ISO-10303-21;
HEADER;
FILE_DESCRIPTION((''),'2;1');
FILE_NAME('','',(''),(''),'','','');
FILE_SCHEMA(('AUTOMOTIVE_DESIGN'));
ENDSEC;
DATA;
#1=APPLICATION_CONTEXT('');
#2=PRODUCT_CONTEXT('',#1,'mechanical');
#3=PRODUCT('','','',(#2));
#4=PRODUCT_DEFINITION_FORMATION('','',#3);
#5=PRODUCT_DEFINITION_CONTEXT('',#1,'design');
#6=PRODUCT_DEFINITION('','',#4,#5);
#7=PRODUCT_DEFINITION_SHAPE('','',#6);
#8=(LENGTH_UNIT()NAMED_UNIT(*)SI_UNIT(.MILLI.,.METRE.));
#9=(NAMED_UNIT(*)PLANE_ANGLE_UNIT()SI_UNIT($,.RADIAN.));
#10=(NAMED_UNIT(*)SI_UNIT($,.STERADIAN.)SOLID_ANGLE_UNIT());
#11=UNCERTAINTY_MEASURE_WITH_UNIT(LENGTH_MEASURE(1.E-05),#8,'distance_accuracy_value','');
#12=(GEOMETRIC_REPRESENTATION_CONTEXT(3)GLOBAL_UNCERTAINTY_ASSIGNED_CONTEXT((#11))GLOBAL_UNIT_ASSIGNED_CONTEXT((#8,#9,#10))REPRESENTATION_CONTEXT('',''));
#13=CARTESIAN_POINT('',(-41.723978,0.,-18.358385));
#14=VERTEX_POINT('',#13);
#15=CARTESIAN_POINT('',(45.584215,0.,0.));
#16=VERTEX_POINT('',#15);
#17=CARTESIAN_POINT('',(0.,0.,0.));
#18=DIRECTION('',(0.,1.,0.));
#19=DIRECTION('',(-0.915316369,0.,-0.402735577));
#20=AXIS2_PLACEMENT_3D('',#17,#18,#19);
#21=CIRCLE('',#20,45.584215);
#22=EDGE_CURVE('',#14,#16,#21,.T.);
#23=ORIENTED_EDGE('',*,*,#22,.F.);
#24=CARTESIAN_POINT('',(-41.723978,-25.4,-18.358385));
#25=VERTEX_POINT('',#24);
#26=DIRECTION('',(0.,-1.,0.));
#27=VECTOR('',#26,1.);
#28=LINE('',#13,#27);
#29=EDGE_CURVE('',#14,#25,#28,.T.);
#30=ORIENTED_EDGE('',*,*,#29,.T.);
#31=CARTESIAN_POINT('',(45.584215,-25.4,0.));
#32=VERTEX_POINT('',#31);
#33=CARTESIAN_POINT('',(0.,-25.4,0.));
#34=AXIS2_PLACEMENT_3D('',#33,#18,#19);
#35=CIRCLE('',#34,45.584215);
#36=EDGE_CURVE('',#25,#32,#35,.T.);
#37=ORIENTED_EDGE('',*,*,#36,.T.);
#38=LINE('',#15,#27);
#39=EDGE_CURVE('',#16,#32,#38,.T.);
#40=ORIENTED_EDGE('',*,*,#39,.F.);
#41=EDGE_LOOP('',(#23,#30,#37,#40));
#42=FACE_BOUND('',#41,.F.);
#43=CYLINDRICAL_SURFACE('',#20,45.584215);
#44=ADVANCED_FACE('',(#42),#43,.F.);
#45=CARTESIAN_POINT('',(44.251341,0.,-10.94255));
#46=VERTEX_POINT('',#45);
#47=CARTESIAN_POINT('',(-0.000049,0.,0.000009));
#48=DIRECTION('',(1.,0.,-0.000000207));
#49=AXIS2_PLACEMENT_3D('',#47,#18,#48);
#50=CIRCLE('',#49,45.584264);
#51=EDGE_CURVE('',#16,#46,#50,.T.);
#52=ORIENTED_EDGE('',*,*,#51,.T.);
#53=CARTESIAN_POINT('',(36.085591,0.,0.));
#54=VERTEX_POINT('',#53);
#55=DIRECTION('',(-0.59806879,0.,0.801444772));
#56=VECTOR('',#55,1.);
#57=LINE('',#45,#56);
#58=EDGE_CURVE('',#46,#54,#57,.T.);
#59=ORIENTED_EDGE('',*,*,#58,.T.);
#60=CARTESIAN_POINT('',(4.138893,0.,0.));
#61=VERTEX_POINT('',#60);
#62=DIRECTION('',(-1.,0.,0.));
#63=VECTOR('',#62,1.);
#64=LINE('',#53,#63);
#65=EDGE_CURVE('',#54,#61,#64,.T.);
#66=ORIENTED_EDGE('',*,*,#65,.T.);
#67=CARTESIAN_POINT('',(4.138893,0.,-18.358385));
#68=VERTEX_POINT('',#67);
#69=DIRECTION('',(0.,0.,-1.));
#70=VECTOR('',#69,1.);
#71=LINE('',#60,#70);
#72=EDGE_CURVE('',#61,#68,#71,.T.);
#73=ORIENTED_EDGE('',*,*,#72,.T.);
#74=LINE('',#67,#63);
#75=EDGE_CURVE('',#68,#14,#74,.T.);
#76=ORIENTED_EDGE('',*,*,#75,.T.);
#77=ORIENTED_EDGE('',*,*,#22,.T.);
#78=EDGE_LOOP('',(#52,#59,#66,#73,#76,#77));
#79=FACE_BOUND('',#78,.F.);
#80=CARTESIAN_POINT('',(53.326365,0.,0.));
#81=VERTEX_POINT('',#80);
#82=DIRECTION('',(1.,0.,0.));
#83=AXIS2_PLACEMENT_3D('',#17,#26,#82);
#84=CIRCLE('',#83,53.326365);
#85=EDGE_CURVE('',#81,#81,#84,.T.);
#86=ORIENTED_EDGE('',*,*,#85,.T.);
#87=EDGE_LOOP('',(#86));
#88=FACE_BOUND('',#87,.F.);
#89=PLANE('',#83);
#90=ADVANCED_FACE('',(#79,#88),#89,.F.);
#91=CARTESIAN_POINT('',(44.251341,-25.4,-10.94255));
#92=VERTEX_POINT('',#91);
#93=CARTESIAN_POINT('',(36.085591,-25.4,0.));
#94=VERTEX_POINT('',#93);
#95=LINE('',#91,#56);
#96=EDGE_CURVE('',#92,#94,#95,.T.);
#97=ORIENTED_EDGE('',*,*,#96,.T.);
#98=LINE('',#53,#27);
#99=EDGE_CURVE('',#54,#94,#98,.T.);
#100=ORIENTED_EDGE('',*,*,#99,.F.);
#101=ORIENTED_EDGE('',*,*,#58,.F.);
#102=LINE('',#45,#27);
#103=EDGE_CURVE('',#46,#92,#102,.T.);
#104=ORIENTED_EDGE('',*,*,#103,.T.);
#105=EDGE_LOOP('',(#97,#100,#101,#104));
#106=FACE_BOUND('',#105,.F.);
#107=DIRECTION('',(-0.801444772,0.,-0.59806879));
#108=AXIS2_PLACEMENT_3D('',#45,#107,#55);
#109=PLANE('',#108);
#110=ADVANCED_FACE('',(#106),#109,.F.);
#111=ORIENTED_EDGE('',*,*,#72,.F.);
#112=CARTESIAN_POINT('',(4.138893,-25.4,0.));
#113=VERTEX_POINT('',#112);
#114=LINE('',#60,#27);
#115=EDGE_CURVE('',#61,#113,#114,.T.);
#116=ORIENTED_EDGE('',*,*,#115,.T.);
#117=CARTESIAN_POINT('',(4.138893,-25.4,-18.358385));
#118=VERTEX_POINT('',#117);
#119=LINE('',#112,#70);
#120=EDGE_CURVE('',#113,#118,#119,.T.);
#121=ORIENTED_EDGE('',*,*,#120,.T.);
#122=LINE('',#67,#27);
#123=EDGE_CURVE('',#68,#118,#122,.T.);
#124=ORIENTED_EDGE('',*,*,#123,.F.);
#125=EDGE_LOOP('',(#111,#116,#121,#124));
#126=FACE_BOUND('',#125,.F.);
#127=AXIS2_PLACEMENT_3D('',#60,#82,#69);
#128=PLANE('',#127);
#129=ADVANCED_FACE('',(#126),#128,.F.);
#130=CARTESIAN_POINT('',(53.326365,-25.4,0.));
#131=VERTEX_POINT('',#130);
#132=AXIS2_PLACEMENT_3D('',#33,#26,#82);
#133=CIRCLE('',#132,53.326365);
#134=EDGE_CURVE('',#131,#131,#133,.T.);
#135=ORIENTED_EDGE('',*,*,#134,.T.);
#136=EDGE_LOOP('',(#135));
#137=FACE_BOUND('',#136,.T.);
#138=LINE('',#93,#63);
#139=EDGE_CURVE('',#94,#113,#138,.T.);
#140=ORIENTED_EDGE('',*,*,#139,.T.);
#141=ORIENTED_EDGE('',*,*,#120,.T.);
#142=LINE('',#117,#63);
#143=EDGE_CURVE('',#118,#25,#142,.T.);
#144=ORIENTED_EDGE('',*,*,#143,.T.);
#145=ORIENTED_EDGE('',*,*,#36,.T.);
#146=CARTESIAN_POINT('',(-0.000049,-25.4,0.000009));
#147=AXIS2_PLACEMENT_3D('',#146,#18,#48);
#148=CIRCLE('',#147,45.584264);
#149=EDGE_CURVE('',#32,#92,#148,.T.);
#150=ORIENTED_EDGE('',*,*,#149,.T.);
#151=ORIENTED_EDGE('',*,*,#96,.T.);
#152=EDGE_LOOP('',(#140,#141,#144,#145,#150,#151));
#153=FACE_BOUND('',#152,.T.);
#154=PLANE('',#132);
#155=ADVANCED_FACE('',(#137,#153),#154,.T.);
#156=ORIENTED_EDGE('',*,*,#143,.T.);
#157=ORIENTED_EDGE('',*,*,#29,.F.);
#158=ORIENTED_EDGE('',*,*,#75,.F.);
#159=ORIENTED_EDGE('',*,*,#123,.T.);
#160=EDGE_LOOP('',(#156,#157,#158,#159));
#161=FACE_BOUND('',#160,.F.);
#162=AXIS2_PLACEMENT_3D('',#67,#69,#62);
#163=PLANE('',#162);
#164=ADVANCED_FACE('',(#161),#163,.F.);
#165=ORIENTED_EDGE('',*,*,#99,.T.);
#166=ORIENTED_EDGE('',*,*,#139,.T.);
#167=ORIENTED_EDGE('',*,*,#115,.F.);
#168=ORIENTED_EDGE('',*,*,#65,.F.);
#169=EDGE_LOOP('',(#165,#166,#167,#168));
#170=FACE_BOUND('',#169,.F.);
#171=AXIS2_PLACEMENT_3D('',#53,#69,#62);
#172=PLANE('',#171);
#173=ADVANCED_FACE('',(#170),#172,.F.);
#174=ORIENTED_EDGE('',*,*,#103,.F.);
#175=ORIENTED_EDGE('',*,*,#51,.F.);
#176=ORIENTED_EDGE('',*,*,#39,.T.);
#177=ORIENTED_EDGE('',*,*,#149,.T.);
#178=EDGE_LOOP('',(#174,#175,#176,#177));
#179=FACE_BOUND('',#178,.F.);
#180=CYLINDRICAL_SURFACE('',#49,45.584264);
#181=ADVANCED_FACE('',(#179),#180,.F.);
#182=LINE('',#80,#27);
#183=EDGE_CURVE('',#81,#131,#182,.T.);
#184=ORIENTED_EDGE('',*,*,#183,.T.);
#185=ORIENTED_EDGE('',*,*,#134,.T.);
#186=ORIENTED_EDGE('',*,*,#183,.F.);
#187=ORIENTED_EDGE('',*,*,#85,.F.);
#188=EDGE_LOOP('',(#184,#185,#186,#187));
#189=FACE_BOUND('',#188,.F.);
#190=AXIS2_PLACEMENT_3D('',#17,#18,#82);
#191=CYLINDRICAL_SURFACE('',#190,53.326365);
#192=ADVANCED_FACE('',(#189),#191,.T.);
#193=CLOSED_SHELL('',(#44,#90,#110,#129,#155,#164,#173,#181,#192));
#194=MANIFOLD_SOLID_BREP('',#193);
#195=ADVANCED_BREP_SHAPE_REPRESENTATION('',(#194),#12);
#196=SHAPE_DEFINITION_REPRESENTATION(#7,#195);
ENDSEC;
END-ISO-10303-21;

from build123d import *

# Parameters (mm, degrees)
F0_R     = 53.326365
F1_DEPTH = 25.4


with BuildPart() as f1:
    # F0 (on Front) → F1 (new body)
    with BuildSketch(Plane.XZ):
        Circle(F0_R)
        with BuildLine():
            ThreePointArc((-41.723978, -18.358385), (-9.379922, 44.608718), (45.584215, 0))
            ThreePointArc((45.584215, 0), (45.249769, -5.511714), (44.251341, -10.94255))
            ThreePointArc((44.251341, -10.94255), (3.917339, -45.415582), (-41.723978, -18.358385))
        make_face(mode=Mode.SUBTRACT)
        with BuildLine():
            Line((4.138893, -18.358385), (-41.723978, -18.358385))
            ThreePointArc((-41.723978, -18.358385), (3.917339, -45.415582), (44.251341, -10.94255))
            Line((44.251341, -10.94255), (36.085591, 0))
            Line((36.085591, 0), (4.138893, 0))
            Line((4.138893, 0), (4.138893, -18.358385))
        make_face()
    extrude(amount=F1_DEPTH)


solid = f1.part
